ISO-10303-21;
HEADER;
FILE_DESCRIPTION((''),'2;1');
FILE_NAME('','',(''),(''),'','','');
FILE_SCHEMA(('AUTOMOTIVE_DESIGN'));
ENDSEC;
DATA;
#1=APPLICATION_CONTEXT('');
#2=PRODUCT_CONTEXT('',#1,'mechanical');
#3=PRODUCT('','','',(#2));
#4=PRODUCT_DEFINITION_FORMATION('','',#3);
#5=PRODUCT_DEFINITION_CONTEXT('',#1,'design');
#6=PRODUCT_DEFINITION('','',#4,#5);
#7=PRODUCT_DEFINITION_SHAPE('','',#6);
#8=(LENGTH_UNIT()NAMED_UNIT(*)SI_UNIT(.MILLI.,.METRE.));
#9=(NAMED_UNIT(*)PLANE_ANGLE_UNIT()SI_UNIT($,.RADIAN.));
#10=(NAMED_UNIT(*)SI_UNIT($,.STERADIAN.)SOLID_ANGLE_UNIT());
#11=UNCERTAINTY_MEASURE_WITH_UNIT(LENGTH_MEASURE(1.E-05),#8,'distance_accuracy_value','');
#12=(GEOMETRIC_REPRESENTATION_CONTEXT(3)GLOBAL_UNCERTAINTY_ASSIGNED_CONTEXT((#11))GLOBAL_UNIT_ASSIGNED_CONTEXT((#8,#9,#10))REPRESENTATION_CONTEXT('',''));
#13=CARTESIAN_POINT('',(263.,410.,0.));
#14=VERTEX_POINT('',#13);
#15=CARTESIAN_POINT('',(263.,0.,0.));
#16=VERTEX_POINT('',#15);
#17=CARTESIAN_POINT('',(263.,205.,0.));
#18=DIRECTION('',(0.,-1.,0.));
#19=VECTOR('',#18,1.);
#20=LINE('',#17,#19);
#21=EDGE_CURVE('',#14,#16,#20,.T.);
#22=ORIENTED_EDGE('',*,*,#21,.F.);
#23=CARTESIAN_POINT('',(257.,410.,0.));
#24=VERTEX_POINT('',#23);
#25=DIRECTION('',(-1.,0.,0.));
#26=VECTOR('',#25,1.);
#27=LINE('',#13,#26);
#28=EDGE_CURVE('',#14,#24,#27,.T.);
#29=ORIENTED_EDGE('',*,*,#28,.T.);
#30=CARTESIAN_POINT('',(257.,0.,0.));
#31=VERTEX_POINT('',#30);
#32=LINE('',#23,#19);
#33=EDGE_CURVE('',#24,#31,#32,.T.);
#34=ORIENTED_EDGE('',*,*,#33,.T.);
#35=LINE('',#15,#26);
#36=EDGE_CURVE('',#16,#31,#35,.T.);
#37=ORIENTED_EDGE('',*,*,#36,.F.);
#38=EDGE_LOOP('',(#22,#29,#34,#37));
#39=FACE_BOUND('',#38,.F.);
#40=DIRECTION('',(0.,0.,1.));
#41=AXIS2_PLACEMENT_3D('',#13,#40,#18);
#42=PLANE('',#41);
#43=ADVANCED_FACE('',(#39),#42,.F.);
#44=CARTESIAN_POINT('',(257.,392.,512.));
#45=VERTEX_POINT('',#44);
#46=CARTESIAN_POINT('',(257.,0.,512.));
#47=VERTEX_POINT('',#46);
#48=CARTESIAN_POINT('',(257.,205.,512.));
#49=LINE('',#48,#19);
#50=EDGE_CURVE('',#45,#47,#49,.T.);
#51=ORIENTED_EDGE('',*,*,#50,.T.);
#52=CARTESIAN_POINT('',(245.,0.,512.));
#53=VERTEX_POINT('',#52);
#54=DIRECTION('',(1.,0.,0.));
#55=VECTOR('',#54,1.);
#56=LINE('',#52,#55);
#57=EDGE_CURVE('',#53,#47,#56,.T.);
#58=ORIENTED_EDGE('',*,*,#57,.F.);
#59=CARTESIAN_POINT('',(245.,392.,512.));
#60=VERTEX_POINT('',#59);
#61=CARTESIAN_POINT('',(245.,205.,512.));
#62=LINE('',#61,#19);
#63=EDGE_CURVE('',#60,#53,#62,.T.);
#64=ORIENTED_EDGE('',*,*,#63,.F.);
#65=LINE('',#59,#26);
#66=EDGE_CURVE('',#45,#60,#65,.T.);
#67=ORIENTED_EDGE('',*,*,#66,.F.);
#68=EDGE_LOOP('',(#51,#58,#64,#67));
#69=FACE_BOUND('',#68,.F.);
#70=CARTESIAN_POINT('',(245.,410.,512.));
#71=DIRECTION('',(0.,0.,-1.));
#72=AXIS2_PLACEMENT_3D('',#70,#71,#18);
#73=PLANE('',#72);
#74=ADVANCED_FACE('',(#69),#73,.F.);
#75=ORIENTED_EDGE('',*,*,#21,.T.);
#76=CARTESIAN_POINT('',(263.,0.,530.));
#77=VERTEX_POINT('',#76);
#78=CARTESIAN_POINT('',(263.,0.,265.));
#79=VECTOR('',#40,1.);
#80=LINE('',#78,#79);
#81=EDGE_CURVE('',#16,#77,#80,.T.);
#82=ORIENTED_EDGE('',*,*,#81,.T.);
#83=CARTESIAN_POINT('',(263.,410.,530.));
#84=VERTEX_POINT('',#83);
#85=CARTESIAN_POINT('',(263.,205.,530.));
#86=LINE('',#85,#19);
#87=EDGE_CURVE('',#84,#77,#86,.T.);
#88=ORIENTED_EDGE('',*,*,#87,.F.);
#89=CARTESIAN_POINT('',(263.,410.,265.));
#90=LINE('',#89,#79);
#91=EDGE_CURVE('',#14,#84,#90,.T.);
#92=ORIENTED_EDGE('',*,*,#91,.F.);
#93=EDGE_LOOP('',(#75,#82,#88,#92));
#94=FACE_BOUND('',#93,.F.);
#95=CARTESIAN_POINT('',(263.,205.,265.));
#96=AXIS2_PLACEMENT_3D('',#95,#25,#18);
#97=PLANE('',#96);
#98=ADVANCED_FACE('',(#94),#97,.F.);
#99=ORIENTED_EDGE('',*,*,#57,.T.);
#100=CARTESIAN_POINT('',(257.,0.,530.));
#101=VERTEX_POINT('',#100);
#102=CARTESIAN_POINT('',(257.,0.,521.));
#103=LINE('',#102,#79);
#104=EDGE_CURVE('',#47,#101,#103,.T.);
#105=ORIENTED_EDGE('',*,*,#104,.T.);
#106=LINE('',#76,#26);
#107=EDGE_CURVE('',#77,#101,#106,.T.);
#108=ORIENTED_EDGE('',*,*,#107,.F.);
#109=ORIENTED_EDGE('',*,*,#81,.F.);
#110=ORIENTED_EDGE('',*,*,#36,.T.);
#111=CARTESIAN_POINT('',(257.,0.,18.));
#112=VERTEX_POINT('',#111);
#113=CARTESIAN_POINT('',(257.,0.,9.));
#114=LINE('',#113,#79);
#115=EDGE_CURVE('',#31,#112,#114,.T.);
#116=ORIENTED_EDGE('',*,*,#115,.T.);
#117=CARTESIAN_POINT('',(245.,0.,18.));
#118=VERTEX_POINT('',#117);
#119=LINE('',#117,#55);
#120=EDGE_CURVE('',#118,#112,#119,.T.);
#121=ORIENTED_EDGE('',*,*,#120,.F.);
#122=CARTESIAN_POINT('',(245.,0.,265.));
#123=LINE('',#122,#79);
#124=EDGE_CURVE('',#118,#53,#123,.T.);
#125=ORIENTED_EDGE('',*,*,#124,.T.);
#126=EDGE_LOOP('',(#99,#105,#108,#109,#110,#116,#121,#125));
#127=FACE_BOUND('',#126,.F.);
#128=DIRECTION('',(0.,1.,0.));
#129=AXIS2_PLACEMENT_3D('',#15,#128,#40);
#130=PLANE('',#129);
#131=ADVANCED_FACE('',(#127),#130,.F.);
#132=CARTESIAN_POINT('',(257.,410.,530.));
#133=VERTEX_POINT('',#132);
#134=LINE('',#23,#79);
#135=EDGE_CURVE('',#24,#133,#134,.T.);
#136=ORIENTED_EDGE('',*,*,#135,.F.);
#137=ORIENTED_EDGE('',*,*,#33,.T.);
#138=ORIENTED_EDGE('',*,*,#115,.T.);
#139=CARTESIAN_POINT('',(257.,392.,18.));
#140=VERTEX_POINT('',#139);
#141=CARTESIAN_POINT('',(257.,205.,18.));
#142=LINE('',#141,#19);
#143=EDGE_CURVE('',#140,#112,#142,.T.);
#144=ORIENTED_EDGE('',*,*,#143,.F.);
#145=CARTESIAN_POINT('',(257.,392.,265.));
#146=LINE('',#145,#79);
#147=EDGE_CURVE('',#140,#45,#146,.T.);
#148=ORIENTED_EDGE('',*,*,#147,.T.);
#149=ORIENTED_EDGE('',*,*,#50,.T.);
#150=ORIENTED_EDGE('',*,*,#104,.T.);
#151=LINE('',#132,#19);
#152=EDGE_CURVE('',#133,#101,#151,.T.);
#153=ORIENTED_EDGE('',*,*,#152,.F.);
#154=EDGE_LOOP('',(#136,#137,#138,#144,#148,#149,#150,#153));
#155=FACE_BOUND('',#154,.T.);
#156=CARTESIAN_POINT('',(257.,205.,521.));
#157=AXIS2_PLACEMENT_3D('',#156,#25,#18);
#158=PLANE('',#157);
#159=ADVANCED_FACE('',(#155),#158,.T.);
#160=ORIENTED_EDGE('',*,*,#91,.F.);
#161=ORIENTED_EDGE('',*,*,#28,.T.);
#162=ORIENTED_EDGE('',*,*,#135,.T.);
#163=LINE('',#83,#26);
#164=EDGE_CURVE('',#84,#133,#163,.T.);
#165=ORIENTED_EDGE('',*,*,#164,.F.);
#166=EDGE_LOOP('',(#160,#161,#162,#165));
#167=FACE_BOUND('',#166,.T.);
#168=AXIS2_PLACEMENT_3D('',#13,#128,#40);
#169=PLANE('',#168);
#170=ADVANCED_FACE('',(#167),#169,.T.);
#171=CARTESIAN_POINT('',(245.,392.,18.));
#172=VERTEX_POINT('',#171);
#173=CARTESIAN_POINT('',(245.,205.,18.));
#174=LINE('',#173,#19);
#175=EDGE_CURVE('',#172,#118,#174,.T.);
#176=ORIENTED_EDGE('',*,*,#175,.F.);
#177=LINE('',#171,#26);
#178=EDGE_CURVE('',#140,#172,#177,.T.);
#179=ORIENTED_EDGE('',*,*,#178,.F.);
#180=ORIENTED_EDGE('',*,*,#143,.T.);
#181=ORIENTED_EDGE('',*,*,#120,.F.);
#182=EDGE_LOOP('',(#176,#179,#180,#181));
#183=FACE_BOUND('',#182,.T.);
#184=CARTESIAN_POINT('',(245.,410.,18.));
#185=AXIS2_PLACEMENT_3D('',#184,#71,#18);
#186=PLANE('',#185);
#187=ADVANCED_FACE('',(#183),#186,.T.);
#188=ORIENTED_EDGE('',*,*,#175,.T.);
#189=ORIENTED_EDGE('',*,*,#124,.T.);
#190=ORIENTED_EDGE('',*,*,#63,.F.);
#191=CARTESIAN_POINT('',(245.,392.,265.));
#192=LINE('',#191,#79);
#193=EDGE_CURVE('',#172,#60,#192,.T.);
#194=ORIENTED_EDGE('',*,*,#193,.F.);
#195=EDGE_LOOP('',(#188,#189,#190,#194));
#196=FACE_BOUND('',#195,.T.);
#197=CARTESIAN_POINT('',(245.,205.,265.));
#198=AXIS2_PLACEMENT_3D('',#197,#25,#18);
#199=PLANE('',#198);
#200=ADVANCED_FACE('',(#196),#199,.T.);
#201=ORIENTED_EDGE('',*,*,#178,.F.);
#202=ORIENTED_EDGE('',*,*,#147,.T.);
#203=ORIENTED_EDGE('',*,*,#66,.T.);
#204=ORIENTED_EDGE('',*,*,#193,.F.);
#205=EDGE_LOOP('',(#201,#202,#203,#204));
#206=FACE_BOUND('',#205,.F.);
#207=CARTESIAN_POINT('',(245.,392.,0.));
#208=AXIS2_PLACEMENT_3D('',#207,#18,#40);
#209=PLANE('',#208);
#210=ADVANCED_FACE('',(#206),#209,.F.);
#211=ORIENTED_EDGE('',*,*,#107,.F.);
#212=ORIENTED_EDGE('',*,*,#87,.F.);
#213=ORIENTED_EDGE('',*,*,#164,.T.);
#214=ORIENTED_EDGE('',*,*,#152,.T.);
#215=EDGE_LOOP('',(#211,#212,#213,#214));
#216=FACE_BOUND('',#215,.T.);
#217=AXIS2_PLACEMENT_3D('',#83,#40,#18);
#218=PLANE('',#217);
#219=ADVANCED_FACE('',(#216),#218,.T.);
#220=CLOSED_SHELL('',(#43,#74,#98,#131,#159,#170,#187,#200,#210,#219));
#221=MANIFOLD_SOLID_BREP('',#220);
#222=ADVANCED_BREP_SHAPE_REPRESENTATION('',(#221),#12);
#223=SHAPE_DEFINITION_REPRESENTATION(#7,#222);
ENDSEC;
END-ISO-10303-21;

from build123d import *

# Parameters (mm, degrees)
SKETCH056_W             = 410
SKETCH056_H             = 530
PAD021_DEPTH            = 18
SKETCH057_W             = 410
SKETCH057_H             = 18
POCKET034_DEPTH         = 12
SKETCH058_W             = 18
SKETCH058_H             = 530
POCKET035_DEPTH         = 12
BODY020_ROLL_ANGLE      = 90
BODY020_PLACEMENT_ANGLE = -90


with BuildPart() as part:
    # Sketch056 → Pad021 (new body)
    with BuildSketch(Plane.XY):
        with Locations((0, 265)):
            Rectangle(SKETCH056_W, SKETCH056_H)
    extrude(amount=PAD021_DEPTH)

    # Sketch057 (on Face6 of Pad021) → Pocket034 (cut)
    with BuildSketch(Plane.XY.offset(18)):
        with Locations((0, 9)):
            Rectangle(SKETCH057_W, SKETCH057_H)
        with Locations((0, 521)):
            Rectangle(SKETCH057_W, SKETCH057_H)
    extrude(amount=-POCKET034_DEPTH, mode=Mode.SUBTRACT)

    # Sketch058 (on Face9 of Pocket034) → Pocket035 (cut)
    with BuildSketch(Plane.XY.offset(18)):
        with Locations((-196, 265)):
            Rectangle(SKETCH058_W, SKETCH058_H)
    extrude(amount=-POCKET035_DEPTH, mode=Mode.SUBTRACT)


with BuildPart() as part_1:
    # Body020 roll: moved
    add(part.part.rotate(Axis((0, 0, 0), (1, 0, 0)), BODY020_ROLL_ANGLE))


with BuildPart() as part_2:
    # Body020 placement: moved
    add(part_1.part.moved(Location((263, 205, 0))).rotate(Axis((263, 205, 0), (0, 0, 1)), BODY020_PLACEMENT_ANGLE))


solid = part_2.part
